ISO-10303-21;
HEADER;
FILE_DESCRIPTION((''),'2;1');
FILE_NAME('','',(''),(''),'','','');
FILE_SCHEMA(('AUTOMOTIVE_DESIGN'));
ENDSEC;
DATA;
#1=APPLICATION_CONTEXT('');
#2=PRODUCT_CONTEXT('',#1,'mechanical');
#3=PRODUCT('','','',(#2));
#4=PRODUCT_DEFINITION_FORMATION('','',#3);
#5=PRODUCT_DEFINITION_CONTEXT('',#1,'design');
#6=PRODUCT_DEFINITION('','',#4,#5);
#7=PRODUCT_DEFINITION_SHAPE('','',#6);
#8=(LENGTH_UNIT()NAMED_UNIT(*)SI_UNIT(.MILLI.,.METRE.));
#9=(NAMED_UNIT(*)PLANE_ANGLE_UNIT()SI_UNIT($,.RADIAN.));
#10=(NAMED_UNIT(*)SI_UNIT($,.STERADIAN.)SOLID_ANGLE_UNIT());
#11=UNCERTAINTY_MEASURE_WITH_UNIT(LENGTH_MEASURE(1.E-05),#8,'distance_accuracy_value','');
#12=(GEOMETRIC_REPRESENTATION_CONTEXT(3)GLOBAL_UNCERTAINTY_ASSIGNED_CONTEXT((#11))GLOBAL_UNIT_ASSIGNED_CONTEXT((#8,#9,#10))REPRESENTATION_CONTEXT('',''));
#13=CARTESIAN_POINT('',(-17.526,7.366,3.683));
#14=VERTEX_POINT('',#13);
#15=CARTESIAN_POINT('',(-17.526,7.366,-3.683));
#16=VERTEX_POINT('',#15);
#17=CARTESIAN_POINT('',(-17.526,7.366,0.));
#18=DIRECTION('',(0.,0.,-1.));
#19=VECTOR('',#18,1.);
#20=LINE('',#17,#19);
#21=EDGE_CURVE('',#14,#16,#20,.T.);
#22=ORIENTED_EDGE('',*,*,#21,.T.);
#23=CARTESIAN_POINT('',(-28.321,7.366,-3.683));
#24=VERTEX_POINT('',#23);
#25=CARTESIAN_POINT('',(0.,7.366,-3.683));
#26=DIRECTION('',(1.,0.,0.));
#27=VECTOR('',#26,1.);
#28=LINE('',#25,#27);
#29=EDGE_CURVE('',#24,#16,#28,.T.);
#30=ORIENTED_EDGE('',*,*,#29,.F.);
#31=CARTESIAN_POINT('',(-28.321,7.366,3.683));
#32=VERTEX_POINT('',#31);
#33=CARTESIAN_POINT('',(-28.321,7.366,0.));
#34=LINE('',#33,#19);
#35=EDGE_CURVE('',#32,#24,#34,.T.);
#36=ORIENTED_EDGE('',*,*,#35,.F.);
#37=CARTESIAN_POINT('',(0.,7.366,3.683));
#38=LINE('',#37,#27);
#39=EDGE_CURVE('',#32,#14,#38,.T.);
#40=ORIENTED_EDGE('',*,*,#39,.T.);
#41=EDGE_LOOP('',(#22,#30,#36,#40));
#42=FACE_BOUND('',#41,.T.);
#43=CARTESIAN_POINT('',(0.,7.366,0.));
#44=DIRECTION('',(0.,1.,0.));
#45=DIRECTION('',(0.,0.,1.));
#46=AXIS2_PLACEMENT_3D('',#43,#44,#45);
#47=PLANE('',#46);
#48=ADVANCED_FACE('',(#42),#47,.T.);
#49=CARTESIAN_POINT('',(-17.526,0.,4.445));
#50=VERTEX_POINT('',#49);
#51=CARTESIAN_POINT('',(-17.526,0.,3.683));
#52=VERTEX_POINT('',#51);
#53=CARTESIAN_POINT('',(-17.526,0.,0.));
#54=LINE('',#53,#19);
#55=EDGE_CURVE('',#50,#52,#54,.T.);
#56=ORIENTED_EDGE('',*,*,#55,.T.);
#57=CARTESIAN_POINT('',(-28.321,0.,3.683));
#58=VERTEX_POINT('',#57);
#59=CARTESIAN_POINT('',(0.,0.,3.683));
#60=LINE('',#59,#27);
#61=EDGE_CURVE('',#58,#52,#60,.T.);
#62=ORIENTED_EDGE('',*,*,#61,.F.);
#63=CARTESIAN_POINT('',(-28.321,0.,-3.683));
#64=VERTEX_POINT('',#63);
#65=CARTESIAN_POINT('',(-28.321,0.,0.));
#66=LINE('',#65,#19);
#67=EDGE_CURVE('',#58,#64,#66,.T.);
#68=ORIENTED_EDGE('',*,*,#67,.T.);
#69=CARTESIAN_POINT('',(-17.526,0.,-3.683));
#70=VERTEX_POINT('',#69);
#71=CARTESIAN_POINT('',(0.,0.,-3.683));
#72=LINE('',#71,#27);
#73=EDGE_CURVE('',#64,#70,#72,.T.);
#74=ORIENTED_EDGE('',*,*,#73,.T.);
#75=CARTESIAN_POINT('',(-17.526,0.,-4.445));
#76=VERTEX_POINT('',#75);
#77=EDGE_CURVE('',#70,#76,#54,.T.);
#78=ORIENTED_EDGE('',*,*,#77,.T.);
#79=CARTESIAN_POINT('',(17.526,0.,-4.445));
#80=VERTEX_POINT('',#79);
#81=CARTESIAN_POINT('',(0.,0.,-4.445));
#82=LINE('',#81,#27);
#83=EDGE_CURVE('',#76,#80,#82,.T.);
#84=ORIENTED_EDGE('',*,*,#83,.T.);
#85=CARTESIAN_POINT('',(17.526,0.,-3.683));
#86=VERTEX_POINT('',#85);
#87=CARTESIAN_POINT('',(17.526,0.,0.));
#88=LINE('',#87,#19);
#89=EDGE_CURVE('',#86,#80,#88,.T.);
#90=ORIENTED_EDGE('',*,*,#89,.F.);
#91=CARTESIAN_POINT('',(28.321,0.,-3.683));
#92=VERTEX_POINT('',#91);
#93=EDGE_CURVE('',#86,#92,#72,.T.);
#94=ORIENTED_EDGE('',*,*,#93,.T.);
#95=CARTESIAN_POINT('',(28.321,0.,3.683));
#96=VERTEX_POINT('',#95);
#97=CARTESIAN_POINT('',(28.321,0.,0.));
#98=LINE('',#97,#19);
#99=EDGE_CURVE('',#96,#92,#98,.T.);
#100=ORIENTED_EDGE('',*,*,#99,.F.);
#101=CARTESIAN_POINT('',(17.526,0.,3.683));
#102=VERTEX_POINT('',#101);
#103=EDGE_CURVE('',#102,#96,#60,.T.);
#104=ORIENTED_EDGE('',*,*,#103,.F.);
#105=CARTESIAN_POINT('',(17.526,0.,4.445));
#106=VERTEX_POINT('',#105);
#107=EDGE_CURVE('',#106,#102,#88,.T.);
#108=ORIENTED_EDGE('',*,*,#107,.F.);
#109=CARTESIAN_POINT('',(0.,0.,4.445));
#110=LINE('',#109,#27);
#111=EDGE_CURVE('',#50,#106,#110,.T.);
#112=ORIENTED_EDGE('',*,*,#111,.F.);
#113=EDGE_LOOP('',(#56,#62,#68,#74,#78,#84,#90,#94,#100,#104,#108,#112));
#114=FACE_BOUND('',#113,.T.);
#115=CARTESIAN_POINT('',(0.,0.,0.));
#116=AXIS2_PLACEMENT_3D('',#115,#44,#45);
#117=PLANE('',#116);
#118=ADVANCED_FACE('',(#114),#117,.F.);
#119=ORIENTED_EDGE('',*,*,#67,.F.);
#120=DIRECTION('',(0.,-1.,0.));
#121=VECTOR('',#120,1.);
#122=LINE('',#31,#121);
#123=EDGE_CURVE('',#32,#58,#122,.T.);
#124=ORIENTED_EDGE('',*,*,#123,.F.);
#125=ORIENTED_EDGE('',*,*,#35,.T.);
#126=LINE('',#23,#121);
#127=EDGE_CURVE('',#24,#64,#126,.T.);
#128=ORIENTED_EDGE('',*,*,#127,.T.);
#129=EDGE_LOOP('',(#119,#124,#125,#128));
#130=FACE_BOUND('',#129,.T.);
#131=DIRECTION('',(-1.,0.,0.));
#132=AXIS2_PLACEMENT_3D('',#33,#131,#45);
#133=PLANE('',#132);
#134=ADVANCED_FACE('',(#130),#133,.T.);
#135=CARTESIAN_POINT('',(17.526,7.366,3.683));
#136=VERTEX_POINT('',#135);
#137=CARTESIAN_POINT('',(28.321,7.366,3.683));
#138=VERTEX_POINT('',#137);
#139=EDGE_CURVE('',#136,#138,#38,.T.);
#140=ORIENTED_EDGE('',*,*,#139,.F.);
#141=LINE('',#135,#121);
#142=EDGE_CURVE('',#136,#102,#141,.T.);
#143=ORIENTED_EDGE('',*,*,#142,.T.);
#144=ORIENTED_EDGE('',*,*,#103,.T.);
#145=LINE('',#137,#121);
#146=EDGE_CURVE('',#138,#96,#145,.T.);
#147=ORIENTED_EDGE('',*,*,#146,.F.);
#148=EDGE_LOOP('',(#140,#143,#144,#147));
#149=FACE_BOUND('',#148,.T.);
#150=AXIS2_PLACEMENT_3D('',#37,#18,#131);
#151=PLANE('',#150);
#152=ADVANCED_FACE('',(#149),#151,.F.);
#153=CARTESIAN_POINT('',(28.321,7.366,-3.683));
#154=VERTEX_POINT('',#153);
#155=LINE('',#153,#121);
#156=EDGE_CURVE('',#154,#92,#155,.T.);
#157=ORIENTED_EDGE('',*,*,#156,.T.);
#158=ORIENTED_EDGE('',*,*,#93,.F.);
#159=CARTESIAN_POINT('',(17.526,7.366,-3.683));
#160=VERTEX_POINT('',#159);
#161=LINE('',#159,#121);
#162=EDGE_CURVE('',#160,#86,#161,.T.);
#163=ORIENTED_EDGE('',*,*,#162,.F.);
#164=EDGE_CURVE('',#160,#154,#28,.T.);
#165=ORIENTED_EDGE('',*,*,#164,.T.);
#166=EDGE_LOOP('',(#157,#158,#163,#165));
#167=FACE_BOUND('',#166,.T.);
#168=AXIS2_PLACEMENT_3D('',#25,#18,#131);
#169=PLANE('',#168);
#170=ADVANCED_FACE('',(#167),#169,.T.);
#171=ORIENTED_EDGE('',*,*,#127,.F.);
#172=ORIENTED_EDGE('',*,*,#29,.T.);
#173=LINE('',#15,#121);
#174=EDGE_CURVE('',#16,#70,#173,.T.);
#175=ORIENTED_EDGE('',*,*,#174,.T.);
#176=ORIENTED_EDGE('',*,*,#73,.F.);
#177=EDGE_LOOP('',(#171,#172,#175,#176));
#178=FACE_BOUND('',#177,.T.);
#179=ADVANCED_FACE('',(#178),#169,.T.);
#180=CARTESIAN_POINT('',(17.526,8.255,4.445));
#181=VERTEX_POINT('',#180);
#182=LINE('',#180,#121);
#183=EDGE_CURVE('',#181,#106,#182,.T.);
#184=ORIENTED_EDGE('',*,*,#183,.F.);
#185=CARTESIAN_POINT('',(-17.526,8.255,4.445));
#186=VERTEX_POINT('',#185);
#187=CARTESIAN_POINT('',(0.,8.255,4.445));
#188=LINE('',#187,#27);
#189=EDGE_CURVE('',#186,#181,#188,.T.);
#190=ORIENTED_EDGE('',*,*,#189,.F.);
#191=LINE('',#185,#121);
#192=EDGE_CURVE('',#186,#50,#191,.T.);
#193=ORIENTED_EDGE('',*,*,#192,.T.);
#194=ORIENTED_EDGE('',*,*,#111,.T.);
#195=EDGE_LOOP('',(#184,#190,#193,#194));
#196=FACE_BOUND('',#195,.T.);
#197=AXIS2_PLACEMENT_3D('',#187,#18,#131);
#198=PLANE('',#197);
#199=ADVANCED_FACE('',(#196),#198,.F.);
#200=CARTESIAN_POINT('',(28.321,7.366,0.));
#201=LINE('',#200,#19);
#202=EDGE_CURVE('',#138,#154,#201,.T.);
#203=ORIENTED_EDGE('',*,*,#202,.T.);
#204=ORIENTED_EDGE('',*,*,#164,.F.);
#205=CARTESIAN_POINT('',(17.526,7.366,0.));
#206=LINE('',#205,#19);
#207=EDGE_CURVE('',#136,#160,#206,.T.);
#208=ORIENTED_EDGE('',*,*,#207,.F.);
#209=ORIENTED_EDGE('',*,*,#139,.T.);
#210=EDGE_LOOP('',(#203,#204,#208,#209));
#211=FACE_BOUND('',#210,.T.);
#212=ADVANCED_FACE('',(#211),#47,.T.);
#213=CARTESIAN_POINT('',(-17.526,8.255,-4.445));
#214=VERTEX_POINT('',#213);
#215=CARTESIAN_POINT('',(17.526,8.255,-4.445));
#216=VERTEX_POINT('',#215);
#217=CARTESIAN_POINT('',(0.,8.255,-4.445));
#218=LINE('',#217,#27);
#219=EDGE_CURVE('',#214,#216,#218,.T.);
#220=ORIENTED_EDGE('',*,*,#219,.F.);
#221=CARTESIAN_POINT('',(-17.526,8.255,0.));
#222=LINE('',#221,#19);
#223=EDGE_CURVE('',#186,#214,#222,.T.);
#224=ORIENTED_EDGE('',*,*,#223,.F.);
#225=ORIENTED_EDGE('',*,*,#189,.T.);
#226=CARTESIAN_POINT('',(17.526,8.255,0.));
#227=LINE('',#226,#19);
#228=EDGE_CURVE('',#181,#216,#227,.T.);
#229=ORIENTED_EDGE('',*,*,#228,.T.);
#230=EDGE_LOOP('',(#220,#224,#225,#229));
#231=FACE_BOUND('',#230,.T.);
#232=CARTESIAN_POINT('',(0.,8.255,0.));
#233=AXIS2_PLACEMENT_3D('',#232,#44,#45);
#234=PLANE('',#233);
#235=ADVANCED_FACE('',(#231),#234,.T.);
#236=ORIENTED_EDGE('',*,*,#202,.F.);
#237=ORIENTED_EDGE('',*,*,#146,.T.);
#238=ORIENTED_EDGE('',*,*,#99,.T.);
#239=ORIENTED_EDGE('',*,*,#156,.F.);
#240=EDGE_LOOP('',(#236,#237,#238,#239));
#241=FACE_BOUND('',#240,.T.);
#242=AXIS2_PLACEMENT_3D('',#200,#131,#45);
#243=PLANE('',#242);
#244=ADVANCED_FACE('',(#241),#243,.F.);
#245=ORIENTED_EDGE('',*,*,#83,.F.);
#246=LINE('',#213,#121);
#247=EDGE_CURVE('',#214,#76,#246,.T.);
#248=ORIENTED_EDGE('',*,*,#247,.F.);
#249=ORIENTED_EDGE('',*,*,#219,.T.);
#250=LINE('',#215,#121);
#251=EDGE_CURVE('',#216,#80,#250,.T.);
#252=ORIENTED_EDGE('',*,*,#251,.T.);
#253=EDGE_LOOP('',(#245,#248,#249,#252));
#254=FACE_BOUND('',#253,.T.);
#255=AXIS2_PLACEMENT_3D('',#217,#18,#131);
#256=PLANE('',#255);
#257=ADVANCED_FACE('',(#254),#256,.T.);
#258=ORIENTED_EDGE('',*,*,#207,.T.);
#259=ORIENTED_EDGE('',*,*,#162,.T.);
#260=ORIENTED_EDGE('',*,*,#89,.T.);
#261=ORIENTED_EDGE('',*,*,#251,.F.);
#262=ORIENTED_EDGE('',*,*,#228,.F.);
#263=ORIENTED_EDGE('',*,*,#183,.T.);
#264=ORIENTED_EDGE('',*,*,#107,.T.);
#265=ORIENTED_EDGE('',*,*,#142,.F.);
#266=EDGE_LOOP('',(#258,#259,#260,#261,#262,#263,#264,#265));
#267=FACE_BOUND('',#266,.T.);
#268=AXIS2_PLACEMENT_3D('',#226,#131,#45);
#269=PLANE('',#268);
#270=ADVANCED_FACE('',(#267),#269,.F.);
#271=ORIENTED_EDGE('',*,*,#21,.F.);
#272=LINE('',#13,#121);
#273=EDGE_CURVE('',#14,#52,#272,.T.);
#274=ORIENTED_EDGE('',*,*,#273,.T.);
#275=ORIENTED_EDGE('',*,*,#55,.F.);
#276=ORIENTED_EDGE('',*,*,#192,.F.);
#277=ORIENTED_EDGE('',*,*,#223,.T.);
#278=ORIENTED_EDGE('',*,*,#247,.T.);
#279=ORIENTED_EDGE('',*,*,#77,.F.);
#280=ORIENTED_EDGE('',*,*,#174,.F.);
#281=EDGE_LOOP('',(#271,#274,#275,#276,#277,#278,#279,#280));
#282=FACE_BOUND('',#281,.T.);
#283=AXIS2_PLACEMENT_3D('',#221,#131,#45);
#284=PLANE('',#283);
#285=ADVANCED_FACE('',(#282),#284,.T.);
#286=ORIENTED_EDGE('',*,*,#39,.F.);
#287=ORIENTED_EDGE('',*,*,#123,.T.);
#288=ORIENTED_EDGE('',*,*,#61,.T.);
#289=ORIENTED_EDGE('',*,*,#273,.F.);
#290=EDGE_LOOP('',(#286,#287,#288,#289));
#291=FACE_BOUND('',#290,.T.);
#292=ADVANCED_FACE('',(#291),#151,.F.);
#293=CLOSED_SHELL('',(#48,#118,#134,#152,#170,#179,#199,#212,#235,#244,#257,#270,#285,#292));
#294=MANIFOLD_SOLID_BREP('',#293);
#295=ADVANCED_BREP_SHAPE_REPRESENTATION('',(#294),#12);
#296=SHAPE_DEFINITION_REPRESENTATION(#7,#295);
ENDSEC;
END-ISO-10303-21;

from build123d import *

# Parameters (mm, degrees)
SKETCH2_W             = 10.795
SKETCH2_H             = 7.366
BOSS_EXTRUDE1_DEPTH   = 7.366
BOSS_EXTRUDE1_2_DEPTH = 7.366
SKETCH2_4_W           = 35.052
SKETCH2_4_H           = 8.89
BOSS_EXTRUDE2_DEPTH   = 8.255


with BuildPart() as part:
    # Sketch2 → Boss-Extrude1 (new body)
    with BuildSketch(Plane(origin=(0, 0, 0), x_dir=(1, 0, 0), z_dir=(0, 1, 0))):
        with Locations((-22.9235, 0)):
            Rectangle(SKETCH2_W, SKETCH2_H)
    extrude(amount=BOSS_EXTRUDE1_DEPTH)



with BuildPart() as body_2:
    # Sketch2 → Boss-Extrude1 2 (new body)
    with BuildSketch(Plane(origin=(0, 0, 0), x_dir=(1, 0, 0), z_dir=(0, 1, 0))):
        with Locations((22.9235, 0)):
            Rectangle(SKETCH2_W, SKETCH2_H)
    extrude(amount=BOSS_EXTRUDE1_2_DEPTH)


with BuildPart() as part_1:
    add(part.part)

    add(body_2.part)  # Boss-Extrude2 merges body 2
    # Sketch2<4> → Boss-Extrude2 (add)
    with BuildSketch(Plane(origin=(0, 0, 0), x_dir=(1, 0, 0), z_dir=(0, 1, 0))):
        Rectangle(SKETCH2_4_W, SKETCH2_4_H)
    extrude(amount=BOSS_EXTRUDE2_DEPTH)


solid = part_1.part
